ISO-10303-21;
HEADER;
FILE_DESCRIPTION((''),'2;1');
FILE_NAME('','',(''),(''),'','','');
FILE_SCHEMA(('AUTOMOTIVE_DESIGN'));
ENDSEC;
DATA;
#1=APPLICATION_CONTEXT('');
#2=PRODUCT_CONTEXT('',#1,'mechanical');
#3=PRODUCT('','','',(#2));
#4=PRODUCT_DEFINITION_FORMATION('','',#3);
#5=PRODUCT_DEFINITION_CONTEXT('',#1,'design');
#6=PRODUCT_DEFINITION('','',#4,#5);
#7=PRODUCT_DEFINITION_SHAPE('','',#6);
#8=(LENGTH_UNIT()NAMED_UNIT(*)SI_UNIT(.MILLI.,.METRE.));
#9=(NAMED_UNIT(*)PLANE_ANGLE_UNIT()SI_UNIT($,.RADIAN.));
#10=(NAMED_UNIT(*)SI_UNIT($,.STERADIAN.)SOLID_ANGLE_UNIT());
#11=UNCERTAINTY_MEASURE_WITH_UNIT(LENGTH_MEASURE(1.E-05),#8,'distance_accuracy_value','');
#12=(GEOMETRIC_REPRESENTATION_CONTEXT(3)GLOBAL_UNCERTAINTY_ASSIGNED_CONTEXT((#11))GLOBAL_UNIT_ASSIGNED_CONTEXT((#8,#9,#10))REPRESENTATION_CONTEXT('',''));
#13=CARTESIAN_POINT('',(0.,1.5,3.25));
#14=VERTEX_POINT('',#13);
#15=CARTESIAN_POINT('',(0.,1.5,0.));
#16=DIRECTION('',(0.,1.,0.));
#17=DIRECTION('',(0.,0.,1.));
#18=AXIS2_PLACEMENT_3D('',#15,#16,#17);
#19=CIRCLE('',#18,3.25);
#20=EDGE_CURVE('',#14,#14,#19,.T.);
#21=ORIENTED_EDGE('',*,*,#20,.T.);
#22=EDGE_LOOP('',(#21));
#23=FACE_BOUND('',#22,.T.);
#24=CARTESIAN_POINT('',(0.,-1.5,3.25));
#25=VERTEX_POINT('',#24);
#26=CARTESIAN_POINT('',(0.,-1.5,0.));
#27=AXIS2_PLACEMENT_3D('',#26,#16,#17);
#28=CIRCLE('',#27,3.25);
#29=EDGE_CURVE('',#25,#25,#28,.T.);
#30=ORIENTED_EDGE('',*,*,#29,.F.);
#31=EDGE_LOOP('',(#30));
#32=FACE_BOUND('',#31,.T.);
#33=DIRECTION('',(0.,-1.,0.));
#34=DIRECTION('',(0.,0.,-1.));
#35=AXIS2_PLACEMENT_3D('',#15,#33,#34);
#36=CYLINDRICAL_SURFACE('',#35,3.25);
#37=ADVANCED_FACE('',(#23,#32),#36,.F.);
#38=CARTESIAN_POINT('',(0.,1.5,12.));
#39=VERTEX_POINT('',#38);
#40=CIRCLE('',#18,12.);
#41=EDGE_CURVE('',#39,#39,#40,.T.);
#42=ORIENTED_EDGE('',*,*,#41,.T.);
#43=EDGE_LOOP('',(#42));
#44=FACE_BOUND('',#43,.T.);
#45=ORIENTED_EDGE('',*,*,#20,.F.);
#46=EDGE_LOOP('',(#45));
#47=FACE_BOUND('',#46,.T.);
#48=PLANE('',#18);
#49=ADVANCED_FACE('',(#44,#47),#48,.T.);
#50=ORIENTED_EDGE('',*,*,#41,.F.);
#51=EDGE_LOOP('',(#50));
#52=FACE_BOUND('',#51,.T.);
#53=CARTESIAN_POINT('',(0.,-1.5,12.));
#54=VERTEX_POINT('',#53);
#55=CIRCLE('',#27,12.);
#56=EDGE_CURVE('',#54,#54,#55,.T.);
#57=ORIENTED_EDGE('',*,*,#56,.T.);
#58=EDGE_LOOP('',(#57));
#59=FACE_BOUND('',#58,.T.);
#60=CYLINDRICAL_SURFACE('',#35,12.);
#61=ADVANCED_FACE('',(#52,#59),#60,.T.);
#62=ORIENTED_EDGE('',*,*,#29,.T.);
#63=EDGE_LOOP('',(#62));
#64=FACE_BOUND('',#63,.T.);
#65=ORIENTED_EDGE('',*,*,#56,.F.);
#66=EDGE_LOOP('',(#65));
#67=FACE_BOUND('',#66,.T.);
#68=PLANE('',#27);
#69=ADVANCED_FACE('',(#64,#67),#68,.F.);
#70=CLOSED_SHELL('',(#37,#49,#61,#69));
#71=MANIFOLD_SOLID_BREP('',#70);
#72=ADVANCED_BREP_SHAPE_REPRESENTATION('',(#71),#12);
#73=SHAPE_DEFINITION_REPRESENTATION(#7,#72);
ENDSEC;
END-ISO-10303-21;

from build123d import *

# Parameters (mm, degrees)
SKETCH1_R           = 12
SKETCH1_R_2         = 3.25
BOSS_EXTRUDE1_DEPTH = 1.5


with BuildPart() as part:
    # Sketch1 → Boss-Extrude1 (new, symmetric)
    with BuildSketch(Plane(origin=(0, 0, 0), x_dir=(1, 0, 0), z_dir=(0, 1, 0))):
        with Locations(Location((0, 0, 0), (0, 0, 270))):
            Circle(SKETCH1_R)
        with Locations(Location((0, 0, 0), (0, 0, 270))):
            Circle(SKETCH1_R_2, mode=Mode.SUBTRACT)
    extrude(amount=BOSS_EXTRUDE1_DEPTH, both=True)


solid = part.part
